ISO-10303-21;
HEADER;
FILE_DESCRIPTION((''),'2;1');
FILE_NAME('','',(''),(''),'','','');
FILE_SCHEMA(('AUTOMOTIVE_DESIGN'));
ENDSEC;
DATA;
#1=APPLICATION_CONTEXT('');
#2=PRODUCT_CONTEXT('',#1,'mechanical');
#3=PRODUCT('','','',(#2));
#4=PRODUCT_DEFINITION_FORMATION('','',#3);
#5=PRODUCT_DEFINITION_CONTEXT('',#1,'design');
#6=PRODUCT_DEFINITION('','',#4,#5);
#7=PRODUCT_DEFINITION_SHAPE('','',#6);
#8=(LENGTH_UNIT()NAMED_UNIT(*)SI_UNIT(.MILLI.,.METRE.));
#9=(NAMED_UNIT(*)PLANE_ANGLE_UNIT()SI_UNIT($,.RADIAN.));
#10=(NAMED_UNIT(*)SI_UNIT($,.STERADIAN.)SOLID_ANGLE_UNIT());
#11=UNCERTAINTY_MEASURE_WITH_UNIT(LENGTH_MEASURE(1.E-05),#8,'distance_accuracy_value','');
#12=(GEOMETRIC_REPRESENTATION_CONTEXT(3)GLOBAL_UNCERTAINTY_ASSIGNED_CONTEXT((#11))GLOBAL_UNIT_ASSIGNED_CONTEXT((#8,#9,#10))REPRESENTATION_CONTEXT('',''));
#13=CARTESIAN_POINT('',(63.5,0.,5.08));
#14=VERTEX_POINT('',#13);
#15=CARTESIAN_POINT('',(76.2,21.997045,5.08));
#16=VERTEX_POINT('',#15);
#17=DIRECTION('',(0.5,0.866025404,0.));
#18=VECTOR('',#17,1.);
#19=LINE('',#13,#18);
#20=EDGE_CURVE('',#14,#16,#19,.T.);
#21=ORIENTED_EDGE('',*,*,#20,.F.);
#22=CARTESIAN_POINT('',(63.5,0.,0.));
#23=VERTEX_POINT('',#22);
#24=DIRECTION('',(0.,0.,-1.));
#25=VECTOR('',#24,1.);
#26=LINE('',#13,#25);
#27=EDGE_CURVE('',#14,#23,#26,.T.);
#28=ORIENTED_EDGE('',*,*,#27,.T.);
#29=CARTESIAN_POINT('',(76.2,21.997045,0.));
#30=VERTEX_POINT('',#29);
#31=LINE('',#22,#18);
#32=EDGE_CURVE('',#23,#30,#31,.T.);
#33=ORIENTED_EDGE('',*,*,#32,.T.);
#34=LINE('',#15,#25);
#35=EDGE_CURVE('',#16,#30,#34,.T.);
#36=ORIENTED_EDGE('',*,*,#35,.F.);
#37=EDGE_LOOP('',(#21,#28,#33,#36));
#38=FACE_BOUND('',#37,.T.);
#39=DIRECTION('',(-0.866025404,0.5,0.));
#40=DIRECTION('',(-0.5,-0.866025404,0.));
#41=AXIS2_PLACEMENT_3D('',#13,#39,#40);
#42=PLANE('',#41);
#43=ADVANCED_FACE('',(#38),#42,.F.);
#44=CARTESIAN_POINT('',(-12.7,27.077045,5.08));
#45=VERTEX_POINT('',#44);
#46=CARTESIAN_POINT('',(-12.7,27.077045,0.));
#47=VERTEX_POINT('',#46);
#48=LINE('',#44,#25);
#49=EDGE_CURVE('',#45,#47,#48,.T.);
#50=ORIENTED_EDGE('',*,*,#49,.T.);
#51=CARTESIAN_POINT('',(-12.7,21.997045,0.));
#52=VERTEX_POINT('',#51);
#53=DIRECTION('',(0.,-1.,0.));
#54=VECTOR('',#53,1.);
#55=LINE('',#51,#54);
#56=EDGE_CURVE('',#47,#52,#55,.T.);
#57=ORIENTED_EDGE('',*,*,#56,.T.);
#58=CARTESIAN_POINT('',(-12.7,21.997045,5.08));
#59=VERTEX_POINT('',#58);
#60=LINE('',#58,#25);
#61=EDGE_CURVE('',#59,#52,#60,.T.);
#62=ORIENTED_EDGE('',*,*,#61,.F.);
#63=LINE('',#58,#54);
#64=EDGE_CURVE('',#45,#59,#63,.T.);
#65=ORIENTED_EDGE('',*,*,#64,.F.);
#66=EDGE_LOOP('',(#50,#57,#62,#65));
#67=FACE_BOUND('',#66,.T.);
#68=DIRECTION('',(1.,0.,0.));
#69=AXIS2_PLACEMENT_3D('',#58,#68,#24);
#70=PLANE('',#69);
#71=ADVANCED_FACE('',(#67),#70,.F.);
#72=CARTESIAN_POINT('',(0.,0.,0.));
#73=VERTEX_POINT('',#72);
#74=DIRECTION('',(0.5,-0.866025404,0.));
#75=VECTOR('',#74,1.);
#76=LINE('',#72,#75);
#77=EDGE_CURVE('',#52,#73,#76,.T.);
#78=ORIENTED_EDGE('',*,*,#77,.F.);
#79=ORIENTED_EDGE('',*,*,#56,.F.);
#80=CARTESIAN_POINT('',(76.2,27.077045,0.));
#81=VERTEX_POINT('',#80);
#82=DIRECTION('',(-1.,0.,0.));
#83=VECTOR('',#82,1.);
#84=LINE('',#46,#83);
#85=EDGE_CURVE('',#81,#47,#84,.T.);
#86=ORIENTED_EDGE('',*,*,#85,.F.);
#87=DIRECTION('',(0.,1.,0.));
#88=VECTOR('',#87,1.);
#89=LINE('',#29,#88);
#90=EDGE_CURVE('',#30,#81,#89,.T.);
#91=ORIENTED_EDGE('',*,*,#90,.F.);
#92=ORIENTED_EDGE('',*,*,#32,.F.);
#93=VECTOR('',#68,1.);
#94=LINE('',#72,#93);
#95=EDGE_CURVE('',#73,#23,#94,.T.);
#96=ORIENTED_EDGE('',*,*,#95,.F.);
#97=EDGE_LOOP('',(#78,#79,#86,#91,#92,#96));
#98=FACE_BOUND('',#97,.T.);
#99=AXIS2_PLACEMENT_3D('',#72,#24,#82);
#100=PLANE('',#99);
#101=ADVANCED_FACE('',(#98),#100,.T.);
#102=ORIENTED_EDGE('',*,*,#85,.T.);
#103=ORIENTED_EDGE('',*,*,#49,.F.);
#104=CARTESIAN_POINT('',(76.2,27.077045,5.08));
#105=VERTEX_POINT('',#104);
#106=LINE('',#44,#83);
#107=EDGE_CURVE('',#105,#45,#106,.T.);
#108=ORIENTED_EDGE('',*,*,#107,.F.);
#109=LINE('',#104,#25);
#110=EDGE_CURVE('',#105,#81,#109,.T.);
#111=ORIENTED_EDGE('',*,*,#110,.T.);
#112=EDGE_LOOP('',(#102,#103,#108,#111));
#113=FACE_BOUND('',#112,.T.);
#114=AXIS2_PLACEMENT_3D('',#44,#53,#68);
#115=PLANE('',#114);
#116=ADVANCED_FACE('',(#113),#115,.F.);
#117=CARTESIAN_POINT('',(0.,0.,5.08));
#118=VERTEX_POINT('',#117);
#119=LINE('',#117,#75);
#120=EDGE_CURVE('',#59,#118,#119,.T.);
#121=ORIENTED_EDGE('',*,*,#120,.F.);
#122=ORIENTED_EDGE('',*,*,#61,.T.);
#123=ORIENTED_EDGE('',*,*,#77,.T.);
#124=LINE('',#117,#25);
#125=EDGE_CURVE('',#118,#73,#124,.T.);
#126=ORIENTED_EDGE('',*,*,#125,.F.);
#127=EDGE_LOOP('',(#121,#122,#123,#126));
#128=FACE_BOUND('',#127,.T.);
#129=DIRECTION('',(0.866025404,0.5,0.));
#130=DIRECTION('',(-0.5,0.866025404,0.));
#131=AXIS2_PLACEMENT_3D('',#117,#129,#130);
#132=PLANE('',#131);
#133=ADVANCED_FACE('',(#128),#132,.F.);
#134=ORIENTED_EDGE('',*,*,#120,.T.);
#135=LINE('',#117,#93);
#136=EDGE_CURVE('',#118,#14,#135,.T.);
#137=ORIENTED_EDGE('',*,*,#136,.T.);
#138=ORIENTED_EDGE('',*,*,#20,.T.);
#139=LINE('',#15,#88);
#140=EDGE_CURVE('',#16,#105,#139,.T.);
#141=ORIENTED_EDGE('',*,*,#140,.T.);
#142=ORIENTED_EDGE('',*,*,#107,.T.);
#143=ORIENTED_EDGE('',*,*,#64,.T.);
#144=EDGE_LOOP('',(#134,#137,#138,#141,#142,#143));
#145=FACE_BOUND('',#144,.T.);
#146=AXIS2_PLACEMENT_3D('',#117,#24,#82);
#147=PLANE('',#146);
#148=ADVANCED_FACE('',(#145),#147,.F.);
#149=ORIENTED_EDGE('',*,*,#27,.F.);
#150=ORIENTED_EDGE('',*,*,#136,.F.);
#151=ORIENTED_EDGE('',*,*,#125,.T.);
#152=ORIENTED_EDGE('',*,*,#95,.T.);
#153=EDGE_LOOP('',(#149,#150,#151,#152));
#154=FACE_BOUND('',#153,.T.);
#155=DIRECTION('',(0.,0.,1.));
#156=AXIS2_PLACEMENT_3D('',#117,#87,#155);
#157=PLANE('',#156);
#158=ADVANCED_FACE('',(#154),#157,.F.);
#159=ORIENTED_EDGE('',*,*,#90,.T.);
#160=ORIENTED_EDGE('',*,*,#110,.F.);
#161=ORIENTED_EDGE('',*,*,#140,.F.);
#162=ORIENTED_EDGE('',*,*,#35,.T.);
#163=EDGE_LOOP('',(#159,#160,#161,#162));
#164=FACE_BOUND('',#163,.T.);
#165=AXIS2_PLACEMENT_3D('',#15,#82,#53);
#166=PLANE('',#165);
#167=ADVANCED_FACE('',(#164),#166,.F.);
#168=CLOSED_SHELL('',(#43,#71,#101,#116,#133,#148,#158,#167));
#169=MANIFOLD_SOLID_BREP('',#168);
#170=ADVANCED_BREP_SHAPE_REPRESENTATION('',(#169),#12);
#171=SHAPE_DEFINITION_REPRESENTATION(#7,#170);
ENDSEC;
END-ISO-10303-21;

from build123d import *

# Parameters (mm, degrees)
BOSS_EXTRUDE1_DEPTH = 5.08


with BuildPart() as part:
    # Sketch1 → Boss-Extrude1 (new body)
    with BuildSketch(Plane.XY):
        Polygon((0, 0), (63.5, 0), (76.2, 21.997045256), (76.2, 27.077045256), (-12.7, 27.077045256), (-12.7, 21.997045256), align=None)
    extrude(amount=BOSS_EXTRUDE1_DEPTH)


solid = part.part
